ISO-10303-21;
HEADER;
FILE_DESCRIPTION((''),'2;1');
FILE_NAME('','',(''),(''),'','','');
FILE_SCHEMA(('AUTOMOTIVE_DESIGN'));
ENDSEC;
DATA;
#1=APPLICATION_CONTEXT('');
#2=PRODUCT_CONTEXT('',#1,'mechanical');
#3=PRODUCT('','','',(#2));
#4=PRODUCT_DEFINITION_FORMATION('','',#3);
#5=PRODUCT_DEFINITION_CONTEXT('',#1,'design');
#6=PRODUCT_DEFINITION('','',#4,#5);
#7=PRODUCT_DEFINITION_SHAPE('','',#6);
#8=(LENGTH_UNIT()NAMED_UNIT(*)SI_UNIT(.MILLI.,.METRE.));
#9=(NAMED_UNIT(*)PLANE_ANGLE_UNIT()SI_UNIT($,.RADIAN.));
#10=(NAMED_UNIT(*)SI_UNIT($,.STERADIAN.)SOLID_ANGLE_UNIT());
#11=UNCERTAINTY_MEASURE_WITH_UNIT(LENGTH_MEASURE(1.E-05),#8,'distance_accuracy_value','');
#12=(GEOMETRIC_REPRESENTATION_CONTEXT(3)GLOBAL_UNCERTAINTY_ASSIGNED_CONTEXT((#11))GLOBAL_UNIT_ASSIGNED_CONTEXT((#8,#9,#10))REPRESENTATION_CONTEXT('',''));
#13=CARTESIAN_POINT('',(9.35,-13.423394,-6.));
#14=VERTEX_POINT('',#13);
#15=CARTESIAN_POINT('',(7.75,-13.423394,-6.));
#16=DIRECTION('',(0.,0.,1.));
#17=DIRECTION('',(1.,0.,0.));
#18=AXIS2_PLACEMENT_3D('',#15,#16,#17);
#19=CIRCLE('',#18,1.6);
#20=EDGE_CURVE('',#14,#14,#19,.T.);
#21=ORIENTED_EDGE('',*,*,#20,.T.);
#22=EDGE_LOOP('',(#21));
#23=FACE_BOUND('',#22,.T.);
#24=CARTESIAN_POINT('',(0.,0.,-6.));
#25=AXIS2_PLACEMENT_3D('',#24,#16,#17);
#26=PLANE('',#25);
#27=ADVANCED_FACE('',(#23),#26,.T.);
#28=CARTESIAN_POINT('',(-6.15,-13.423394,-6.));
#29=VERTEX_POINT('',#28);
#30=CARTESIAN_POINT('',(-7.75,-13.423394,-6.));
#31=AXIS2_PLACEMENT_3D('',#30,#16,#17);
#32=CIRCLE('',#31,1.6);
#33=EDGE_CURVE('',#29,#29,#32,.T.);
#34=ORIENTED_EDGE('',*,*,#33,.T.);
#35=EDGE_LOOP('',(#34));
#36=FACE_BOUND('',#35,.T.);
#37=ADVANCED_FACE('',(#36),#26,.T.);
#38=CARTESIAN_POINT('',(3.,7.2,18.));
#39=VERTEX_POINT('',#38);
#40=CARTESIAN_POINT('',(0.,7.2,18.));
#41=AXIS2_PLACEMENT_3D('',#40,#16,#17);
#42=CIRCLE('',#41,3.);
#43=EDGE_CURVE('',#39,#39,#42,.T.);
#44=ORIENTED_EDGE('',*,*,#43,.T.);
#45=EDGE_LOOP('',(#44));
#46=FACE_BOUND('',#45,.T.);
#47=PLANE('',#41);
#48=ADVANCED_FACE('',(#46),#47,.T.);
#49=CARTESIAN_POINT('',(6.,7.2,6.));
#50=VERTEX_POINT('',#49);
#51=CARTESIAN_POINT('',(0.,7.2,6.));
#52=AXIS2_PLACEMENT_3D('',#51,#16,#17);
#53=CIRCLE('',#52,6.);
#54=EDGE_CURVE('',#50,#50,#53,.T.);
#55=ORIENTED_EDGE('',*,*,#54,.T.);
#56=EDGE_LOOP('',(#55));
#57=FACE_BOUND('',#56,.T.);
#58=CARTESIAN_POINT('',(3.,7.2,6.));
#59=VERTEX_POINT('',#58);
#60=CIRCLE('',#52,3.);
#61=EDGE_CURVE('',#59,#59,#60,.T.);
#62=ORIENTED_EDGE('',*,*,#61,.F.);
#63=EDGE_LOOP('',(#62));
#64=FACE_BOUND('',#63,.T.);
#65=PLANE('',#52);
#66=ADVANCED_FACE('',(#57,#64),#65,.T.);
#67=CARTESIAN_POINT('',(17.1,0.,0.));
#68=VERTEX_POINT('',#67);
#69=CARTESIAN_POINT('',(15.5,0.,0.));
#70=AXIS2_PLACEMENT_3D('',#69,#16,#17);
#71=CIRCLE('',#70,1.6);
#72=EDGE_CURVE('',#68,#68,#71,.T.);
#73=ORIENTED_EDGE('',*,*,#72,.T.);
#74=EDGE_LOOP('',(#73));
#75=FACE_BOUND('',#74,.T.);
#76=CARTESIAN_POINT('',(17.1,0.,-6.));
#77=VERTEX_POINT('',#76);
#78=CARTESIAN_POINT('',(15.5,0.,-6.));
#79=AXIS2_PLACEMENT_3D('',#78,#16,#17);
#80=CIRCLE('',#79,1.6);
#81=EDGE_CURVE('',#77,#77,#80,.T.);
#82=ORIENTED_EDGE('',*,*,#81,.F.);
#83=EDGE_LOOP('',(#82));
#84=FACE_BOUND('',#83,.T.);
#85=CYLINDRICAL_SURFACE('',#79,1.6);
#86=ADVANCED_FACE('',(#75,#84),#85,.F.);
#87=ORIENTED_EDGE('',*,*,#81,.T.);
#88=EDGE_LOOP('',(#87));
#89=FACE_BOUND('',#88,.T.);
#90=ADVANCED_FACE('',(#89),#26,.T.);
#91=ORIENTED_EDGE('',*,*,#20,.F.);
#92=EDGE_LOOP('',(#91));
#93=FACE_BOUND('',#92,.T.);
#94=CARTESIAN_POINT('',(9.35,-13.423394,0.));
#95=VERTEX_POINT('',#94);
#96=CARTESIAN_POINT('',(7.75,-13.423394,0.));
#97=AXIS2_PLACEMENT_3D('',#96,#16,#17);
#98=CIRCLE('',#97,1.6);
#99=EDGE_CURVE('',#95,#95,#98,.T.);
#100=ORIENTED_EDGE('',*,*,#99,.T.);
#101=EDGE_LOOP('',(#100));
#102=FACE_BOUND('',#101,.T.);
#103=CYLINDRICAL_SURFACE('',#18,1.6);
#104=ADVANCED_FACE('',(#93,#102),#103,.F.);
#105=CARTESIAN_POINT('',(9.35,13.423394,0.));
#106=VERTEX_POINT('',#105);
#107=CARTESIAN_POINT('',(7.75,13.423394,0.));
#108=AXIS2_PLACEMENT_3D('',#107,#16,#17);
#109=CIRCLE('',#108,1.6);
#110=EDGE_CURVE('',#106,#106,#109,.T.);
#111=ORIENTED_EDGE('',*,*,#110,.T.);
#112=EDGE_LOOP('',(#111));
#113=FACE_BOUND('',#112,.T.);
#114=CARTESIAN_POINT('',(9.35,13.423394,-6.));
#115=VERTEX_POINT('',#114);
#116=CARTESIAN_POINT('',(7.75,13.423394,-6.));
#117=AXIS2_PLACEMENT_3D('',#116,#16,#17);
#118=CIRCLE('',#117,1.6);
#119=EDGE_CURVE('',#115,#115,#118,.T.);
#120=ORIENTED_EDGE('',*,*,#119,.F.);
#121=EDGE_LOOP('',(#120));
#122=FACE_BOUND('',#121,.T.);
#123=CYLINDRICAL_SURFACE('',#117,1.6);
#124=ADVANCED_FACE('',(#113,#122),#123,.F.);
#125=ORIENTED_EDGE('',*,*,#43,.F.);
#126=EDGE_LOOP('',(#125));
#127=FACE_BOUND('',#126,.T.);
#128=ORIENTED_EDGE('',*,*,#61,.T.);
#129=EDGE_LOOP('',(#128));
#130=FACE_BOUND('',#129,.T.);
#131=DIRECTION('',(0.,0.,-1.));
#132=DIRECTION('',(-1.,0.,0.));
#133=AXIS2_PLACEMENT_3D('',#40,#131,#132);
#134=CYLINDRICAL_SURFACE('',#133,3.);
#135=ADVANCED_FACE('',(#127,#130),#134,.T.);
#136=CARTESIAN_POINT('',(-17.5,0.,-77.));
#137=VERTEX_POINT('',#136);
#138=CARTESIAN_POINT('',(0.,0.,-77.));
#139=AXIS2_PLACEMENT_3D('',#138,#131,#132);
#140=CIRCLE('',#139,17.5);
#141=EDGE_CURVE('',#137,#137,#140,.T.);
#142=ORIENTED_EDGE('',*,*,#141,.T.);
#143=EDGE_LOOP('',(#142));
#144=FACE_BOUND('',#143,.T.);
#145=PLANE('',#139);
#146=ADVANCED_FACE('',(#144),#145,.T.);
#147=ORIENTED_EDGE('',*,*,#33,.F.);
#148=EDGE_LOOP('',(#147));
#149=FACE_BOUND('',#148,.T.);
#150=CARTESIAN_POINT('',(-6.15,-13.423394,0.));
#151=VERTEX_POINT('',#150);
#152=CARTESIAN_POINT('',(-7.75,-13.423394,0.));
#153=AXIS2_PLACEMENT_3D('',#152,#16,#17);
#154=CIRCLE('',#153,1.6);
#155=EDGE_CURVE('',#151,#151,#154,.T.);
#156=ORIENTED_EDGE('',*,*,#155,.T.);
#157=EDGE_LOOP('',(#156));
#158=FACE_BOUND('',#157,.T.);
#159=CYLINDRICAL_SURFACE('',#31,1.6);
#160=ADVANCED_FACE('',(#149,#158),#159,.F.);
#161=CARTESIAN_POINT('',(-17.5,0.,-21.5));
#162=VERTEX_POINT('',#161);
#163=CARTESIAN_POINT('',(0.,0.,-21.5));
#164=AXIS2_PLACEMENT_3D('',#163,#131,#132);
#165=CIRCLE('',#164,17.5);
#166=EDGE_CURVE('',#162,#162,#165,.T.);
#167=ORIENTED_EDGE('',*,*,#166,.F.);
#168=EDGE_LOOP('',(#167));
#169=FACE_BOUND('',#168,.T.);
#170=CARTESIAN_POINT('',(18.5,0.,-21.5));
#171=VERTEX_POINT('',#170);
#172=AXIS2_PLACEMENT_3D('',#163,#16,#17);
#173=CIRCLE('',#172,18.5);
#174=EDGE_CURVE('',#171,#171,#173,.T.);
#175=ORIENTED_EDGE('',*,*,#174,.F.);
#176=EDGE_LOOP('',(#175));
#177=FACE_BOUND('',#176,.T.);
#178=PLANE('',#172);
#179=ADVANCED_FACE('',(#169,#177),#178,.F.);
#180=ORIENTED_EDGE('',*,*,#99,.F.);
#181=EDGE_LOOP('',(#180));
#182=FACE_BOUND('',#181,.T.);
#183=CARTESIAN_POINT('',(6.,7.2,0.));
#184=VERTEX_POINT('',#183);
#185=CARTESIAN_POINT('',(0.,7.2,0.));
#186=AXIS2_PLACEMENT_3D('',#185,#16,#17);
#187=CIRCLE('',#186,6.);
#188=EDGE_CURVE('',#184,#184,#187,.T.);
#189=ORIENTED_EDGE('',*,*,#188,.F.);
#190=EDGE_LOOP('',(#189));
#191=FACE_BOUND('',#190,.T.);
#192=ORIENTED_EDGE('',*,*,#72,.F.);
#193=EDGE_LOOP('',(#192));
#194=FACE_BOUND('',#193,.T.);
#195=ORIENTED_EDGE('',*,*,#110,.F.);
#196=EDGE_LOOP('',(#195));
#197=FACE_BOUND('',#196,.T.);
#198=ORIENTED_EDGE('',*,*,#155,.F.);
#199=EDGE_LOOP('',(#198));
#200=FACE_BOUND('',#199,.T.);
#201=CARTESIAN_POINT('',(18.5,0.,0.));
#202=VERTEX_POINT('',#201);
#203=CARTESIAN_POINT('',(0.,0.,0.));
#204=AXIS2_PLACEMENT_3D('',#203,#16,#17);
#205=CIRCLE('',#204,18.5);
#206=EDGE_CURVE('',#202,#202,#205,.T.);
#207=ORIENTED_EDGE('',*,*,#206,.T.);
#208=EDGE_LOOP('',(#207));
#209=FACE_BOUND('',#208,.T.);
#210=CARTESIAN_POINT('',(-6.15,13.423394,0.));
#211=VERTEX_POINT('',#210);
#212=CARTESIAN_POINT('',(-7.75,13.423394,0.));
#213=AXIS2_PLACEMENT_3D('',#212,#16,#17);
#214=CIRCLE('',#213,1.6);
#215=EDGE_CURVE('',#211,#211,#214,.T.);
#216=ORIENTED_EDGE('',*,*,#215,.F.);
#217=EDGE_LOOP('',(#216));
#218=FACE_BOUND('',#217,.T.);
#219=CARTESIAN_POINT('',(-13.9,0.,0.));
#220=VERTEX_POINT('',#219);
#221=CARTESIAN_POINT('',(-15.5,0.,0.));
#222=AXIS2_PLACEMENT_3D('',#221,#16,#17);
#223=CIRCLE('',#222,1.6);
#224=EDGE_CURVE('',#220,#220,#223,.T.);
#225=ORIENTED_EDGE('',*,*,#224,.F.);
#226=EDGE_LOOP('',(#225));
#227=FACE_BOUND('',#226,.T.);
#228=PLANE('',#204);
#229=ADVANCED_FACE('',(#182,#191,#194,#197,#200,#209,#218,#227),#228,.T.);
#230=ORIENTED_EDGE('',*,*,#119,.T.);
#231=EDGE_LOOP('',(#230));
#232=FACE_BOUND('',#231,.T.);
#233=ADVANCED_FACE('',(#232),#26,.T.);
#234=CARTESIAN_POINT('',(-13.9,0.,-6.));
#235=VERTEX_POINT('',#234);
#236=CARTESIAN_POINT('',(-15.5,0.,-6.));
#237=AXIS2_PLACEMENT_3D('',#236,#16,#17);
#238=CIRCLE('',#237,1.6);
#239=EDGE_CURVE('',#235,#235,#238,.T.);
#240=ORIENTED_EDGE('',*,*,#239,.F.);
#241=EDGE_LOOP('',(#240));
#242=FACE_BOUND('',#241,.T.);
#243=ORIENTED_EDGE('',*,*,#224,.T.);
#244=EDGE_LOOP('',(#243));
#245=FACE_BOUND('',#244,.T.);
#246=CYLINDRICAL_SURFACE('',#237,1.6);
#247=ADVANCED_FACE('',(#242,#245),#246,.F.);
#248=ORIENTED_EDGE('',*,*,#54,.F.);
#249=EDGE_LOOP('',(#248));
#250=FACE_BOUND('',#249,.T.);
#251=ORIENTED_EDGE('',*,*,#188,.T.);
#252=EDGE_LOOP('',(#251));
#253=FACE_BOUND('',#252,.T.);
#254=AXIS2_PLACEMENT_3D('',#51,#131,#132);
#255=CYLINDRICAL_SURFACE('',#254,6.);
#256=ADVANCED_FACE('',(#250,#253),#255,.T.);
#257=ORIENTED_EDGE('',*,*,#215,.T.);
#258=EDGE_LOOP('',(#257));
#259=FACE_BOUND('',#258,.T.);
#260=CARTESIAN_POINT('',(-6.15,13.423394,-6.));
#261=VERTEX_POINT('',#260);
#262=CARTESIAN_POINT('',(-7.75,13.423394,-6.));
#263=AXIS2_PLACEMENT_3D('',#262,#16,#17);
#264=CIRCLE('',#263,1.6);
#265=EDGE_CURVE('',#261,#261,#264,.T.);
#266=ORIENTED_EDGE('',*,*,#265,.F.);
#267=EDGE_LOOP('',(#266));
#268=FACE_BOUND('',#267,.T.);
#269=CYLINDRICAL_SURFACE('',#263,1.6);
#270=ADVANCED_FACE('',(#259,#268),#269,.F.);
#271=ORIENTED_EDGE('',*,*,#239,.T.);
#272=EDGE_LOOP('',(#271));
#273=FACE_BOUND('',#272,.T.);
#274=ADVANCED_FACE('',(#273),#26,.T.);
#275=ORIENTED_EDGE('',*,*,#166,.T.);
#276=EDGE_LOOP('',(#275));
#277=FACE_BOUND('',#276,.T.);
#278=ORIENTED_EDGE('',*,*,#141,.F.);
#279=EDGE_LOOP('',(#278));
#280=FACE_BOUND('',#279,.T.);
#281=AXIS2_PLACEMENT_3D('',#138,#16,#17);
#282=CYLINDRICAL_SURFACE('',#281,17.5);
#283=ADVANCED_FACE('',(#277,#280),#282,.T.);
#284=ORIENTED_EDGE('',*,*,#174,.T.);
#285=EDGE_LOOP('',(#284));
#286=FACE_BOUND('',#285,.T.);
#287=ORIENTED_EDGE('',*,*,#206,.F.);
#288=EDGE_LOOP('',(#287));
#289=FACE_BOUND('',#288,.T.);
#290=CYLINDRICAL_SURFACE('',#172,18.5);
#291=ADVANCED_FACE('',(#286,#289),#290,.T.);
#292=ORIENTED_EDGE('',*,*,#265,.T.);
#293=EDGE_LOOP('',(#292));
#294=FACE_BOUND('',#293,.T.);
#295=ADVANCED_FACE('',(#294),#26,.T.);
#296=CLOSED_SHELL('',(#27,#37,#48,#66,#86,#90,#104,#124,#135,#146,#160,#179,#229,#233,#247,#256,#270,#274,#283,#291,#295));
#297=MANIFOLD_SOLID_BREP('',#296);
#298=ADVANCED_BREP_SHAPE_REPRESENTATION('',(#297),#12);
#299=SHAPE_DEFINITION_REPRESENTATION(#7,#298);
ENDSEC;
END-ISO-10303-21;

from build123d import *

# Parameters (mm, degrees)
ESBO_O1_R                = 18.5
RESSALTO_EXTRUS_O1_DEPTH = 21.5
ESBO_O2_R                = 17.5
RESSALTO_EXTRUS_O2_DEPTH = 55.5
ESBO_O5_R                = 6
RESSALTO_EXTRUS_O6_DEPTH = 6
ESBO_O6_R                = 3
RESSALTO_EXTRUS_O7_DEPTH = 12
ESBO_O7_R                = 1.6
CORTE_EXTRUS_O1_DEPTH    = 6


with BuildPart() as part:
    # Esboço1 → Ressalto-extrusão1 (new body)
    with BuildSketch(Plane.XY):
        Circle(ESBO_O1_R)
    extrude(amount=-RESSALTO_EXTRUS_O1_DEPTH)

    # Esboço2 → Ressalto-extrusão2 (add)
    with BuildSketch(Plane(origin=(0, 0, -21.5), x_dir=(-1, 0, 0), z_dir=(0, 0, -1))):
        Circle(ESBO_O2_R)
    extrude(amount=RESSALTO_EXTRUS_O2_DEPTH)

    # Esboço5 → Ressalto-extrusão6 (add)
    with BuildSketch(Plane.XY):
        with Locations((0, 7.2)):
            Circle(ESBO_O5_R)
    extrude(amount=RESSALTO_EXTRUS_O6_DEPTH)

    # Esboço6 → Ressalto-extrusão7 (add)
    with BuildSketch(Plane.XY.offset(6)):
        with Locations((0, 7.2)):
            Circle(ESBO_O6_R)
    extrude(amount=RESSALTO_EXTRUS_O7_DEPTH)

    # Esboço7 → Corte-extrusão1 (cut)
    with BuildSketch(Plane.XY):
        with Locations((-7.75, 13.423393759)):
            Circle(ESBO_O7_R)
        with Locations((7.75, 13.423393759)):
            Circle(ESBO_O7_R)
        with Locations((15.5, 0)):
            Circle(ESBO_O7_R)
        with Locations((7.75, -13.423393759)):
            Circle(ESBO_O7_R)
        with Locations((-7.75, -13.423393759)):
            Circle(ESBO_O7_R)
        with Locations((-15.5, 0)):
            Circle(ESBO_O7_R)
    extrude(amount=-CORTE_EXTRUS_O1_DEPTH, mode=Mode.SUBTRACT)


solid = part.part
